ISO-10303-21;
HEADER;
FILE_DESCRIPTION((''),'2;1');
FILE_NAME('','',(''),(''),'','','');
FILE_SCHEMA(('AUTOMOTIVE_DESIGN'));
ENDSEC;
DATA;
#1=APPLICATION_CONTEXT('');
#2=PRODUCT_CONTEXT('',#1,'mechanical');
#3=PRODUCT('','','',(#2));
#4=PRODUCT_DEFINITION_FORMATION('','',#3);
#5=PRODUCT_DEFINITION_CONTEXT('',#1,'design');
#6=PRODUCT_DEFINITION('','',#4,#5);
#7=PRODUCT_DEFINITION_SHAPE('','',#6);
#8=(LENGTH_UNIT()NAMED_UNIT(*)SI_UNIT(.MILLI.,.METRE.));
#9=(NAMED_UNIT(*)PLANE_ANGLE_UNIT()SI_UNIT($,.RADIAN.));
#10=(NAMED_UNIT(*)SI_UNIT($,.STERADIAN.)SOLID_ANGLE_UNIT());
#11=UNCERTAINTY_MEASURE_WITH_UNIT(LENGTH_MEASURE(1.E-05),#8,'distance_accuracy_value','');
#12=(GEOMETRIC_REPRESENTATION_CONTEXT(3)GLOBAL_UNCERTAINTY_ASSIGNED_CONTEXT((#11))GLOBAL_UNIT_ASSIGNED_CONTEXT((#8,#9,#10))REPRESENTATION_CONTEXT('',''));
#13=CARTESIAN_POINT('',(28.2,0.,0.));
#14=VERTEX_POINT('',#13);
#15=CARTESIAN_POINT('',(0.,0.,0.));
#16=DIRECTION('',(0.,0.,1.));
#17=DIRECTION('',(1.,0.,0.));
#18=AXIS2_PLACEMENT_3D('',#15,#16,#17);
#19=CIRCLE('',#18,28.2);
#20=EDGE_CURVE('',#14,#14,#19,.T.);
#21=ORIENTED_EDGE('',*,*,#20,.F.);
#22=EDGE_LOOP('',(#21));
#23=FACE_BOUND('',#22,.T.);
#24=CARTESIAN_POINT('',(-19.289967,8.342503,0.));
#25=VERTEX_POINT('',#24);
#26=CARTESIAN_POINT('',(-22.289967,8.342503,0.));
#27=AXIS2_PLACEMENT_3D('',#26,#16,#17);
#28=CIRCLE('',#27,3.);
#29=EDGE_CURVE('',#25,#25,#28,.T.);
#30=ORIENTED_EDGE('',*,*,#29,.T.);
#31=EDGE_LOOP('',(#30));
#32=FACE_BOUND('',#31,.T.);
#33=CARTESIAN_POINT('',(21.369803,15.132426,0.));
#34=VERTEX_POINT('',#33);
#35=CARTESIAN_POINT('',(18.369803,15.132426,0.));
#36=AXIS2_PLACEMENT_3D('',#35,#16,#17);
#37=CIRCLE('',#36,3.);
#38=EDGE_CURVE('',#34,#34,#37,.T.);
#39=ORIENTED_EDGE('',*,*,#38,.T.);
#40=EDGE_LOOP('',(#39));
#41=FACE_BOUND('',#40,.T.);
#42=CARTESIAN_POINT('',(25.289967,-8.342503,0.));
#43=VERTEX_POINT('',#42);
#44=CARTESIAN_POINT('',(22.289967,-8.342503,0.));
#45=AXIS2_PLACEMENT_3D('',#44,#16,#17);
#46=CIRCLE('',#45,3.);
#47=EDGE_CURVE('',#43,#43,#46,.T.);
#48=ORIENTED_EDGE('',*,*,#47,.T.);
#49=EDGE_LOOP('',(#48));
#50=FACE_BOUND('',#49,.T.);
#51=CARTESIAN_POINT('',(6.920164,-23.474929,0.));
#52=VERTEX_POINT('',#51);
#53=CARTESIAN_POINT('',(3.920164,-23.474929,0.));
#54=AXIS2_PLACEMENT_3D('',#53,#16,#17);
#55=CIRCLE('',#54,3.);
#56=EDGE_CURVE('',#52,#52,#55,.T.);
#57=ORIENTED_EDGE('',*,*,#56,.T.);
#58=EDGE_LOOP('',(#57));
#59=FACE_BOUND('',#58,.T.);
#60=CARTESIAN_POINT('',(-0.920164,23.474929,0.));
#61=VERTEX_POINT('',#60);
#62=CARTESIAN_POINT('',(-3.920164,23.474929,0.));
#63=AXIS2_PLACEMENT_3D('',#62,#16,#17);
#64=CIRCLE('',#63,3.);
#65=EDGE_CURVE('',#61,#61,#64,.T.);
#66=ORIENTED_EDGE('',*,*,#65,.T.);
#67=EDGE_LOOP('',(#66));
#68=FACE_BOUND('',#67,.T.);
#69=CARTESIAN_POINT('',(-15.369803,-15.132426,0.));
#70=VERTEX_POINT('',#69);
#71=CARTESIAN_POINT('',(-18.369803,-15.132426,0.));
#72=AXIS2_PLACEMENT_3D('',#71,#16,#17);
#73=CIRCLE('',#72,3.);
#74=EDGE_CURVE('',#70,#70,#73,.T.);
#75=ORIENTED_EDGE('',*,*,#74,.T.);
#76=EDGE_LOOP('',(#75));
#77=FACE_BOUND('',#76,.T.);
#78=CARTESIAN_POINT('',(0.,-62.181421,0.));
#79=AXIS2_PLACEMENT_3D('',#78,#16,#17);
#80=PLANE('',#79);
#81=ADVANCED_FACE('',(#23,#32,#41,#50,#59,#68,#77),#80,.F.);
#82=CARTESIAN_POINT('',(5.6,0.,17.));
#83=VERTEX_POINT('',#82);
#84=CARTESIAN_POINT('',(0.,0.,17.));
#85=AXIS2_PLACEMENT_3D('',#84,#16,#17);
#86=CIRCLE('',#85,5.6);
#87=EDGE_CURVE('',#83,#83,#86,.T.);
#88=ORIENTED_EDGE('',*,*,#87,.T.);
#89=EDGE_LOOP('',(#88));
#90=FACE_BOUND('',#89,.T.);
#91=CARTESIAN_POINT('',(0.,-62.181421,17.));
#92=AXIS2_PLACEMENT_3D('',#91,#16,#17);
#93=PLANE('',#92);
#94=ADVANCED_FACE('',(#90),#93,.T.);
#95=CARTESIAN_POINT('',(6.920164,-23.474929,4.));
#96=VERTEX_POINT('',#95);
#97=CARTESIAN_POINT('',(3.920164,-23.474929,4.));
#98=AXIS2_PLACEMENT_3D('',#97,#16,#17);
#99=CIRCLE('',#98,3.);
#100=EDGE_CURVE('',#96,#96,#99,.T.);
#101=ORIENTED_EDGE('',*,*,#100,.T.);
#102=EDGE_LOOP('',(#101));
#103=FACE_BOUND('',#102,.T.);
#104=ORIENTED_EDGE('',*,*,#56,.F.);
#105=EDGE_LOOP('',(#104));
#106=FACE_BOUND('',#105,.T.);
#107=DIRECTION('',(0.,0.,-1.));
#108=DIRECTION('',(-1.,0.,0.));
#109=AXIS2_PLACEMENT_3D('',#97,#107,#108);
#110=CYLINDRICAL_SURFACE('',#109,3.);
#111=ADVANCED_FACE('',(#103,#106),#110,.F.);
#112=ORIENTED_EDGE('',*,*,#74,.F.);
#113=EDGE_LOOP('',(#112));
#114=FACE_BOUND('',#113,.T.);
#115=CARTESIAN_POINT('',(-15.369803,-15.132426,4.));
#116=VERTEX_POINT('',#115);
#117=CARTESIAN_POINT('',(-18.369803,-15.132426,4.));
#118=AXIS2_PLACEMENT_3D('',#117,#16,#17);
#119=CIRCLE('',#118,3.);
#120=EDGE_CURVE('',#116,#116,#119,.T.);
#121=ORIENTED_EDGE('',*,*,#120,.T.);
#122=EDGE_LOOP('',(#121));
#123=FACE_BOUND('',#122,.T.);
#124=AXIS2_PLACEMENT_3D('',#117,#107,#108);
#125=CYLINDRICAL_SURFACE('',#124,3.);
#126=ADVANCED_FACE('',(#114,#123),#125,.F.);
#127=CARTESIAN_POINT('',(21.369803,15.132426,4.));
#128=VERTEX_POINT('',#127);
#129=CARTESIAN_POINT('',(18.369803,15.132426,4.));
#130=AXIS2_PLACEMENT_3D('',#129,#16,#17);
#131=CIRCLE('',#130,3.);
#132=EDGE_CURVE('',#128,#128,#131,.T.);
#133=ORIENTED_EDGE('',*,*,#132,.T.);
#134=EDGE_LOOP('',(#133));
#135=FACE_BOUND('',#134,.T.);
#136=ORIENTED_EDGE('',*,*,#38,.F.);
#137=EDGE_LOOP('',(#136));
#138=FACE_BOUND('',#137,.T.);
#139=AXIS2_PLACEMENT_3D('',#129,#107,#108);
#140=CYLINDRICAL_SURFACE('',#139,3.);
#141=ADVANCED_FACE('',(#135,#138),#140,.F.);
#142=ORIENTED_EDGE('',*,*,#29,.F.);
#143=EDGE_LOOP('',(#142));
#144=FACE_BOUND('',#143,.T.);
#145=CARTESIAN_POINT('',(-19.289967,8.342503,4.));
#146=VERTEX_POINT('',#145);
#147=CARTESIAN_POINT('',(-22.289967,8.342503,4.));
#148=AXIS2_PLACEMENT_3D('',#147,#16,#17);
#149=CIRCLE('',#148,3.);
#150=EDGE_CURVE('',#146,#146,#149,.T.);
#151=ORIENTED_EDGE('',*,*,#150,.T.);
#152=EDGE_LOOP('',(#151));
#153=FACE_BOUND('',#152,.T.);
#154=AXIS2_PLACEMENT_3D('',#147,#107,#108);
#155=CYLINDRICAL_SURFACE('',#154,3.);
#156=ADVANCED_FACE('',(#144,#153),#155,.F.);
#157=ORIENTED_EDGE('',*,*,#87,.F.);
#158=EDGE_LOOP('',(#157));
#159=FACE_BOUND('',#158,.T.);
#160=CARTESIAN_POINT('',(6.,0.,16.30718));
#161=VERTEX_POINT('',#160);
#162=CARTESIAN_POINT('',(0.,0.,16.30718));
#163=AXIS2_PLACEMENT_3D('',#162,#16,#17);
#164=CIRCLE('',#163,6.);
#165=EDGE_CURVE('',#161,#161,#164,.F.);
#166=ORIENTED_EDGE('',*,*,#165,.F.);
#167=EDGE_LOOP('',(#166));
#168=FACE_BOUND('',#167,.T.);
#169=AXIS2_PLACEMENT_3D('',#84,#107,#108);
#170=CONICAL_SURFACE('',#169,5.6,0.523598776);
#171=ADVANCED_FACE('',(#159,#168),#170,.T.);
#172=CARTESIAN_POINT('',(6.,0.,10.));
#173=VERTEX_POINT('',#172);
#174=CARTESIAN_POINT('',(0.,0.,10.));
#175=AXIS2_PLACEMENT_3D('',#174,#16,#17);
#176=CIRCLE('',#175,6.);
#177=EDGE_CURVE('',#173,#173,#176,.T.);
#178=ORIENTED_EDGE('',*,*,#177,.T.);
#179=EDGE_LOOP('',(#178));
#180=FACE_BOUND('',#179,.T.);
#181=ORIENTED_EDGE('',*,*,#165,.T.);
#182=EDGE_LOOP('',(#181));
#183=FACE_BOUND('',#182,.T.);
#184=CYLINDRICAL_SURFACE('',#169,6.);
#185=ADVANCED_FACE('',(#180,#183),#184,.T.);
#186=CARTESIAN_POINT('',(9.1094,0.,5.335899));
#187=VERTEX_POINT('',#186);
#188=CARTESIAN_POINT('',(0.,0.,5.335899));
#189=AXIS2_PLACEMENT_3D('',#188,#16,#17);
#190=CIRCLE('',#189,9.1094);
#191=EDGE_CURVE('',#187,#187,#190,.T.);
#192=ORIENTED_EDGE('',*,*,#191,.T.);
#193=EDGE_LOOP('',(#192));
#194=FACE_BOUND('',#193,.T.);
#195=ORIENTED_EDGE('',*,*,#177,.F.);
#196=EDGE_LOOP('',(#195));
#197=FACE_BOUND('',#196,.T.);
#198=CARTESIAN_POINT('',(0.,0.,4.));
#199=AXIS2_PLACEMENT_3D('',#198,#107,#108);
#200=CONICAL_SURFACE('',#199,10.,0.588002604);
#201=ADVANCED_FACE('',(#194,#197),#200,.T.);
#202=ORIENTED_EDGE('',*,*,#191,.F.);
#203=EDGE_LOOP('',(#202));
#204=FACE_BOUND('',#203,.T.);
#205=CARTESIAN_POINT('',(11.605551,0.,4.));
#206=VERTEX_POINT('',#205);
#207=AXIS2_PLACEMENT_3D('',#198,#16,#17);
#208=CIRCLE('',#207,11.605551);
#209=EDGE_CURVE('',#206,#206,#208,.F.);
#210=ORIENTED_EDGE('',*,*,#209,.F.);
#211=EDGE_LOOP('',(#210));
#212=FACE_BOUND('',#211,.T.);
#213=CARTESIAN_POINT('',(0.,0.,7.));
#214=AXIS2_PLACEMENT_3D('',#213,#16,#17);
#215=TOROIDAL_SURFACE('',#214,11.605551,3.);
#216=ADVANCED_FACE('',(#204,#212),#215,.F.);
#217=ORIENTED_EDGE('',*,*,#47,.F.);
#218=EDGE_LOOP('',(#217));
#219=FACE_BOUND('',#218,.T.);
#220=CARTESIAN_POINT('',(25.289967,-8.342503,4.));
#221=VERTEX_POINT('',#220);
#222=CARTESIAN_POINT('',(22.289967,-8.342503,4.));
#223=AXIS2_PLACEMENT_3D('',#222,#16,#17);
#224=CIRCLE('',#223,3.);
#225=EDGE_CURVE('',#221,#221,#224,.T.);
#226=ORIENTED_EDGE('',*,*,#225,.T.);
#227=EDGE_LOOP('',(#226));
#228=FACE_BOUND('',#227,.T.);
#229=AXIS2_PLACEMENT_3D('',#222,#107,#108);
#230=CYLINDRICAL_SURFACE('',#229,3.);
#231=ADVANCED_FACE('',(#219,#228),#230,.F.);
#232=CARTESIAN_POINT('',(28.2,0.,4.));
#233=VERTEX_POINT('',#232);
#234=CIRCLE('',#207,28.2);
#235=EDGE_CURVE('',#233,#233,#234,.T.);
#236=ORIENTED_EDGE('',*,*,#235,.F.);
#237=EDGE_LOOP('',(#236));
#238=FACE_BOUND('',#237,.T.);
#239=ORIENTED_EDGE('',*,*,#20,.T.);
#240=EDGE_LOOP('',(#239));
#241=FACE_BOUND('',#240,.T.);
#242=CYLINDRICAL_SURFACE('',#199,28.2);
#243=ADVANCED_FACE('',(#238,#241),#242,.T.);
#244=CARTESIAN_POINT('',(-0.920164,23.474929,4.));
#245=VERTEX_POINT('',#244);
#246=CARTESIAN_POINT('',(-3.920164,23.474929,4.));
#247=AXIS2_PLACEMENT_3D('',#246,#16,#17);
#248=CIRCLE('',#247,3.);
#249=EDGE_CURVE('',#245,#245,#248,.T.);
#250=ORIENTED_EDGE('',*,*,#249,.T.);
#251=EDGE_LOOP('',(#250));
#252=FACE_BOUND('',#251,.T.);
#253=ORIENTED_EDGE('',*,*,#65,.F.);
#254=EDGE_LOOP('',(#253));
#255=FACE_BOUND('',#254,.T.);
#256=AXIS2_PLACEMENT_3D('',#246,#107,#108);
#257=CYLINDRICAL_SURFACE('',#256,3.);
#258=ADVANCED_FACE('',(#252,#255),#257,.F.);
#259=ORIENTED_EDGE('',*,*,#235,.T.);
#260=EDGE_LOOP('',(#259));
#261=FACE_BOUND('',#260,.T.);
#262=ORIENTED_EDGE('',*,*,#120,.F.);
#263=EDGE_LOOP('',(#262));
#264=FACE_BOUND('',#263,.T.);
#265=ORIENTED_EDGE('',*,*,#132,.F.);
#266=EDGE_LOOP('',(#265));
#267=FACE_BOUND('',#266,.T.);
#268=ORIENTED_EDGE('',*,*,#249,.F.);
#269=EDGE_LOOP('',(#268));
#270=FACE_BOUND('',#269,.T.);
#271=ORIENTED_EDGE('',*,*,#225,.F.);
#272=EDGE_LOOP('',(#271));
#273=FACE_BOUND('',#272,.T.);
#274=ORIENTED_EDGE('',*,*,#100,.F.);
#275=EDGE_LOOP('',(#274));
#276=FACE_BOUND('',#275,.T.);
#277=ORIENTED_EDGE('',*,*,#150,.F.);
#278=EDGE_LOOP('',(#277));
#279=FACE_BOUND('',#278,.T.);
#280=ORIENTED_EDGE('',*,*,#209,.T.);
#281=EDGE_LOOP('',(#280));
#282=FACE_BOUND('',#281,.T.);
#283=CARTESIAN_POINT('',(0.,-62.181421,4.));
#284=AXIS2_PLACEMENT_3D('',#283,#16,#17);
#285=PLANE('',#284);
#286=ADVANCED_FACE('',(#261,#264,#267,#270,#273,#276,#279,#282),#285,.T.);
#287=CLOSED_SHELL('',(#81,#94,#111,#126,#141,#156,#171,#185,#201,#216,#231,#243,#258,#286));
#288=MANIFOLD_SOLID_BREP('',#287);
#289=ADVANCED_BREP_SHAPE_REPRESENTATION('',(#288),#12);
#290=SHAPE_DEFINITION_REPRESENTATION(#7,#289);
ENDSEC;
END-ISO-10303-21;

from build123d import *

# Parameters (mm, degrees)
SKETCH1_R           = 28.2
SKETCH1_R_2         = 3
BOSS_EXTRUDE1_DEPTH = 4
SKETCH1_5_R         = 6
BOSS_EXTRUDE3_DEPTH = 17
CHAMFER1_SIZE       = 6
CHAMFER1_SIZE2      = 4
FILLET3_R           = 3
CHAMFER3_SIZE       = 0.4
CHAMFER3_SIZE2      = 0.692820323


with BuildPart() as part:
    # Sketch1 → Boss-Extrude1 (new body)
    with BuildSketch(Plane.XY):
        Circle(SKETCH1_R)
        with Locations((-22.289967255, 8.342503208)):
            Circle(SKETCH1_R_2, mode=Mode.SUBTRACT)
        with Locations((-3.920163919, 23.474929496)):
            Circle(SKETCH1_R_2, mode=Mode.SUBTRACT)
        with Locations((18.369803336, 15.132426289)):
            Circle(SKETCH1_R_2, mode=Mode.SUBTRACT)
        with Locations((22.289967255, -8.342503208)):
            Circle(SKETCH1_R_2, mode=Mode.SUBTRACT)
        with Locations((3.920163919, -23.474929496)):
            Circle(SKETCH1_R_2, mode=Mode.SUBTRACT)
        with Locations((-18.369803336, -15.132426289)):
            Circle(SKETCH1_R_2, mode=Mode.SUBTRACT)
    extrude(amount=BOSS_EXTRUDE1_DEPTH)

    # Sketch1<5> → Boss-Extrude3 (add)
    with BuildSketch(Plane.XY):
        Circle(SKETCH1_5_R)
    extrude(amount=BOSS_EXTRUDE3_DEPTH)

    # Chamfer1
    chamfer1_edges = [part.edges().sort_by_distance(p)[0] for p in [
        (-6, 0, 4),
    ]]
    chamfer1_side = [part.faces().sort_by_distance(p)[0] for p in [
        (-6, 0, 10.5),
    ]]
    chamfer(chamfer1_edges, length=CHAMFER1_SIZE, length2=CHAMFER1_SIZE2, reference=chamfer1_side[0])

    # Fillet3
    fillet3_edges = [part.edges().sort_by_distance(p)[0] for p in [
        (-10, 0, 4),
    ]]
    fillet(fillet3_edges, radius=FILLET3_R)

    # Chamfer3
    chamfer3_edges = [part.edges().sort_by_distance(p)[0] for p in [
        (-6, 0, 17),
    ]]
    chamfer3_side = [part.faces().sort_by_distance(p)[0] for p in [
        (0, 0, 17),
    ]]
    chamfer(chamfer3_edges, length=CHAMFER3_SIZE, length2=CHAMFER3_SIZE2, reference=chamfer3_side[0])


solid = part.part
